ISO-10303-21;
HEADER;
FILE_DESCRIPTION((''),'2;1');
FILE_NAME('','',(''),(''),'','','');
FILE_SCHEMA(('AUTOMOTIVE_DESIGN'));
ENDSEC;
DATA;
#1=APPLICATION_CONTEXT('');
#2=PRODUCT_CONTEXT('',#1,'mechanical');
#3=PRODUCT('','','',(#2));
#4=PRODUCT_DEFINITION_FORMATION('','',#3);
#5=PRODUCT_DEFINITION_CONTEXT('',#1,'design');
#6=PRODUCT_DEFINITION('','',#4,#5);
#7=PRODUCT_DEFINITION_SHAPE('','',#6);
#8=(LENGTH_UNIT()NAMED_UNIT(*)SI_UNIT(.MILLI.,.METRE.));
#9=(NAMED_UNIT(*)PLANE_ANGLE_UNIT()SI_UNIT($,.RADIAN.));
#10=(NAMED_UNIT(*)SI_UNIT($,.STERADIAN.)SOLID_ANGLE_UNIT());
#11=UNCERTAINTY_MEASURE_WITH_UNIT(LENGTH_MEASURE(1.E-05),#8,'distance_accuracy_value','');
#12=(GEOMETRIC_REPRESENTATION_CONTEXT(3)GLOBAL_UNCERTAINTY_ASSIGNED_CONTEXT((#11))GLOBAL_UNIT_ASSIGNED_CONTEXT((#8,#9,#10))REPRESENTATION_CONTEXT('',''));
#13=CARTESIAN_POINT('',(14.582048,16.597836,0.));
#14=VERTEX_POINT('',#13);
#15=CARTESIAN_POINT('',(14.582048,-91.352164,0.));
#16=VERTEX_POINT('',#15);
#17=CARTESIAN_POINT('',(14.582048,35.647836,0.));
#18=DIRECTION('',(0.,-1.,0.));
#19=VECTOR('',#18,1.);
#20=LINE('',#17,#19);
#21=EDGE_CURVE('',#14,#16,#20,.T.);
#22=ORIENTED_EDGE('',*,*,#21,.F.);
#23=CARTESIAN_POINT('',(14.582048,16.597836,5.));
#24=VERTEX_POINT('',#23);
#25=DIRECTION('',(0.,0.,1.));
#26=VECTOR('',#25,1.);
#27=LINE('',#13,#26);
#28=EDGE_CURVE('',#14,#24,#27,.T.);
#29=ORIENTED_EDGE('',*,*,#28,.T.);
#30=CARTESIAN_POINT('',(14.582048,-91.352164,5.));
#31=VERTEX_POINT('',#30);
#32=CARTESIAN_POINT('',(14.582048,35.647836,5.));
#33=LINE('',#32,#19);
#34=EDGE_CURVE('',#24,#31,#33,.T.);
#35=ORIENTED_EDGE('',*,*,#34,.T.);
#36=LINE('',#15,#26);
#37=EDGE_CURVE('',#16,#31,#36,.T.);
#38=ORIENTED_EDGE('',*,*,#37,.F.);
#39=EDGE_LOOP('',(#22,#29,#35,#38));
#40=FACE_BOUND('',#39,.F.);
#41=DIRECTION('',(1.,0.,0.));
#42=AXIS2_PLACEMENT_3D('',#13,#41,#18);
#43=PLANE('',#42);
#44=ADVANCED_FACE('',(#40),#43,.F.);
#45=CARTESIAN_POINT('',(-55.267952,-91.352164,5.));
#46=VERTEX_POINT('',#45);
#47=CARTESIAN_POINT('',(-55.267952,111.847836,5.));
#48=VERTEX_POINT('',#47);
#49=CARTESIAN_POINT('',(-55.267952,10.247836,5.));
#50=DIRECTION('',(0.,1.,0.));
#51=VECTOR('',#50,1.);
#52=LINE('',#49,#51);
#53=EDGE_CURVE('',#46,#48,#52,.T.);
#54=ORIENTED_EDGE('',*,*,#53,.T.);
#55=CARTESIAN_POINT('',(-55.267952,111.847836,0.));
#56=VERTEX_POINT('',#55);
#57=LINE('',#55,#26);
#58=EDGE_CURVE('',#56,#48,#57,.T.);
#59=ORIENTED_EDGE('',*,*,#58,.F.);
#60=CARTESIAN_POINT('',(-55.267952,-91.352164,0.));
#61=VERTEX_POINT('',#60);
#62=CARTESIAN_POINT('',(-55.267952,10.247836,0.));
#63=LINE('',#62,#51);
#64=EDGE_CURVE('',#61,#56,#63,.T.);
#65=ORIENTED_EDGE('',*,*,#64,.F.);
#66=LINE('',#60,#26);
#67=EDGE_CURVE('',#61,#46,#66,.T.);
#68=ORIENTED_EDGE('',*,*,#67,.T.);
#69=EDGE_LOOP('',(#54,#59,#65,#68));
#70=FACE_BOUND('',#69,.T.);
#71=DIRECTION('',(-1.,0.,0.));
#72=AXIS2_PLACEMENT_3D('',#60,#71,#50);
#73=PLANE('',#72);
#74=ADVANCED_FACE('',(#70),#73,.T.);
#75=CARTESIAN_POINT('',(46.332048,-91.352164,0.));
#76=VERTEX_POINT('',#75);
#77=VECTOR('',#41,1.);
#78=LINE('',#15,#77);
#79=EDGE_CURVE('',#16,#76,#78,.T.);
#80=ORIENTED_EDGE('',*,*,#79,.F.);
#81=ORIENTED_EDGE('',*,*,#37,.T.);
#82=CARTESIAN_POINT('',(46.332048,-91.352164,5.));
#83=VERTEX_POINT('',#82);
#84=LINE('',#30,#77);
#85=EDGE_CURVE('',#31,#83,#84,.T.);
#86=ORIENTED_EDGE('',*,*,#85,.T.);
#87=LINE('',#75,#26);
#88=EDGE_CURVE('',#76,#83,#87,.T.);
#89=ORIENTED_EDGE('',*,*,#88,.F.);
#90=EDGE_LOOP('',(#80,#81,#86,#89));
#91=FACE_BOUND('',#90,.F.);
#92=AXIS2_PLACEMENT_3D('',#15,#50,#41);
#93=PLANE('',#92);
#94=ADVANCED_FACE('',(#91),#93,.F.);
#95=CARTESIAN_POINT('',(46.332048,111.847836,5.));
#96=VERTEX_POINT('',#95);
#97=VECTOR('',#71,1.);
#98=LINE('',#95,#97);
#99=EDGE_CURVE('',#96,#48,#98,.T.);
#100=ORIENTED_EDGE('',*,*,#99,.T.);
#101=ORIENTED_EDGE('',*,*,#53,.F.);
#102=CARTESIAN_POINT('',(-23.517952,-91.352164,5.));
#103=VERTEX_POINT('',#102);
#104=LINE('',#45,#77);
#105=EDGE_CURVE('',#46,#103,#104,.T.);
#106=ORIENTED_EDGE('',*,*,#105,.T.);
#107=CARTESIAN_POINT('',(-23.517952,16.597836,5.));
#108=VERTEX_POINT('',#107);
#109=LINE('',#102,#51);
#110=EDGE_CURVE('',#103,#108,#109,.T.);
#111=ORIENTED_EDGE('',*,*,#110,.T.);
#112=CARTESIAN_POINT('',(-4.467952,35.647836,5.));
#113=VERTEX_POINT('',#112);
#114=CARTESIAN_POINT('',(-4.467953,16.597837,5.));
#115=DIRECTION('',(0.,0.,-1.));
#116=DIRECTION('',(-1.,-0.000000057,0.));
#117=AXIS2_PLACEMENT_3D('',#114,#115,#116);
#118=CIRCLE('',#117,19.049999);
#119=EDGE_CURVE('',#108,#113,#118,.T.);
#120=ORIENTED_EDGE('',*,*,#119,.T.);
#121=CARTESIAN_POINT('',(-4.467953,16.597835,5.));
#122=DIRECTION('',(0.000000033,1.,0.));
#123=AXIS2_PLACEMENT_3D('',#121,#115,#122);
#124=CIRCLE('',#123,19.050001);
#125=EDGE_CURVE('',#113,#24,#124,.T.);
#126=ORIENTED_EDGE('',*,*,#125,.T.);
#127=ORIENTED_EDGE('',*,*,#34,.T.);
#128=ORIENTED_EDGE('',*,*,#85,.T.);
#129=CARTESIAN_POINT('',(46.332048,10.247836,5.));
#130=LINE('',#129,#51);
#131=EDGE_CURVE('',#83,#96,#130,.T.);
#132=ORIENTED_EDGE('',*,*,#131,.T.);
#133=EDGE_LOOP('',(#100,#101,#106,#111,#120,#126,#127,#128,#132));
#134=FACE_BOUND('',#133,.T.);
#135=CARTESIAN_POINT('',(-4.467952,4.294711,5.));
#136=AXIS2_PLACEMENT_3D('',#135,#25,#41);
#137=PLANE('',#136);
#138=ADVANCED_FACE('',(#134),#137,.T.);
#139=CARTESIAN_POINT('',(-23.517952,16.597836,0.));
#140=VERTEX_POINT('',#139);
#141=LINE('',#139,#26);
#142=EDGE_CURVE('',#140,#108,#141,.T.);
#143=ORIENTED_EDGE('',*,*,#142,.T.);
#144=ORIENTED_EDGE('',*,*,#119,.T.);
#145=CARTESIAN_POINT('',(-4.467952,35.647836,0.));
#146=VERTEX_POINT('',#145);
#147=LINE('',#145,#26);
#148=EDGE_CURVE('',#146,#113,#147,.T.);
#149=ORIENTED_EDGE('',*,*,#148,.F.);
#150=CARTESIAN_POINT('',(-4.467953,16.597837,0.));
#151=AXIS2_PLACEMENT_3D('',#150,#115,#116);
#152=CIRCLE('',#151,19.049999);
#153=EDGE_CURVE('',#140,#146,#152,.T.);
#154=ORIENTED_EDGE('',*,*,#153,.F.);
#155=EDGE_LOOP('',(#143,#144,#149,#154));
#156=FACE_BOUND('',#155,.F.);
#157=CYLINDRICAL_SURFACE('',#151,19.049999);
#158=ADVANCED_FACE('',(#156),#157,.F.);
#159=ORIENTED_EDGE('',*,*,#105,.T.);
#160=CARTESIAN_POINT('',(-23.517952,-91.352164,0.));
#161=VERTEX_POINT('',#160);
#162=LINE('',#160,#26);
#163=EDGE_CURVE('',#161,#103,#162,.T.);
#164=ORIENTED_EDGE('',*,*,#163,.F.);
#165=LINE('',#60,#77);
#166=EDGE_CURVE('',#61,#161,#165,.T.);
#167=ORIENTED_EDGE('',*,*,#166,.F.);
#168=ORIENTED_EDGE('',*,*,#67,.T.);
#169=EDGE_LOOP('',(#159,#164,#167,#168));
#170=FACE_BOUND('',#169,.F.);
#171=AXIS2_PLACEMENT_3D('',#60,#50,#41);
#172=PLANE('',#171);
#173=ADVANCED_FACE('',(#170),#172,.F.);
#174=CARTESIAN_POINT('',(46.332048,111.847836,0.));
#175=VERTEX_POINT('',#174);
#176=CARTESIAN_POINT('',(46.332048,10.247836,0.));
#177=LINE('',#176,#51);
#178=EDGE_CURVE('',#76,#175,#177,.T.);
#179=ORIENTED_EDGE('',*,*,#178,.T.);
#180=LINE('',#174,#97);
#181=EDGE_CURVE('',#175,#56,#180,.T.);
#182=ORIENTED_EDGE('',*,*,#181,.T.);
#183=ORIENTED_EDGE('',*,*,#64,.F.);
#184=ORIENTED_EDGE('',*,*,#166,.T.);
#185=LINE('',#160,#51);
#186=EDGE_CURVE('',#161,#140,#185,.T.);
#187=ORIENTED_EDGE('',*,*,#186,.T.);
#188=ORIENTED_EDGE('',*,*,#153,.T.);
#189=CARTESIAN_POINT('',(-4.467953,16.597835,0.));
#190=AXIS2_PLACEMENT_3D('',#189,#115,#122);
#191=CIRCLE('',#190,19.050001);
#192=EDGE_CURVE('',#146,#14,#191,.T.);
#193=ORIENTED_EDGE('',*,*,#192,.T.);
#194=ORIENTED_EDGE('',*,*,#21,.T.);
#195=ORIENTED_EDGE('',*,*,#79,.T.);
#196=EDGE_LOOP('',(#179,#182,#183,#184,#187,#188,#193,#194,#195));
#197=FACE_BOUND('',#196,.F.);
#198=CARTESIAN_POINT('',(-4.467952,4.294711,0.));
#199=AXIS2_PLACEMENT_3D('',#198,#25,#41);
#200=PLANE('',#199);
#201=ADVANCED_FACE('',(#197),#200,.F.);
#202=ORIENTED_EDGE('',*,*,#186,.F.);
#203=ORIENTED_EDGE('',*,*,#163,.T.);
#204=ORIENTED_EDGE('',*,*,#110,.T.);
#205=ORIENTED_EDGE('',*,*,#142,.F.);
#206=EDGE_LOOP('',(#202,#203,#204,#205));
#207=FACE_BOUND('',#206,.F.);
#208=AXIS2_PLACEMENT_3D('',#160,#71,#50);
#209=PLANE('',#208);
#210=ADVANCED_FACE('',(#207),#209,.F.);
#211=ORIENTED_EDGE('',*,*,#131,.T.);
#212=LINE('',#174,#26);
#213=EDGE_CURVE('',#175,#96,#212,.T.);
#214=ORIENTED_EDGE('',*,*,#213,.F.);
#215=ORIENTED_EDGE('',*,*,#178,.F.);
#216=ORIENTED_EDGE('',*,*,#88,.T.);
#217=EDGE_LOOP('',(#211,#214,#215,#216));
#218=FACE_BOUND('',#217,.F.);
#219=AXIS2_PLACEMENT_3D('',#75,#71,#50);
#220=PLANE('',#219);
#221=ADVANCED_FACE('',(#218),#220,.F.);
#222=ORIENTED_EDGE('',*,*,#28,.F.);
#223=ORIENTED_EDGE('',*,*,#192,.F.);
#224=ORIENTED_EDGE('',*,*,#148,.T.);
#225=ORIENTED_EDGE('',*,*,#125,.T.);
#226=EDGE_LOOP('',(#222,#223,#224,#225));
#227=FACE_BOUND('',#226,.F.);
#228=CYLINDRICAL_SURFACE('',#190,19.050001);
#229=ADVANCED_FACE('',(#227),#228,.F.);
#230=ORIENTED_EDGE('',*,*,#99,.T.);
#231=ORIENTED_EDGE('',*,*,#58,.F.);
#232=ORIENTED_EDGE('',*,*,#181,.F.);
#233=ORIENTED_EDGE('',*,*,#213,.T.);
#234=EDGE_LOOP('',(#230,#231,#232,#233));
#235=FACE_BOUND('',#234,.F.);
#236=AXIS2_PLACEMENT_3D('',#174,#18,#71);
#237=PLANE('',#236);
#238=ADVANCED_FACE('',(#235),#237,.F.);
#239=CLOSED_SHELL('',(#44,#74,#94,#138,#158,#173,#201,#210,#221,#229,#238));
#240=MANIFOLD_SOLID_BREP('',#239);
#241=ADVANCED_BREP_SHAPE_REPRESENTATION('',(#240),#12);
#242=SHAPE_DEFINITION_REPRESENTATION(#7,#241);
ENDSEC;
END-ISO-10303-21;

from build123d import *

# Parameters (mm, degrees)
F0_W     = 12.7
F0_H     = 203.2
F1_DEPTH = 5


with BuildPart() as f1:
    # F0 (on Top) → F1 (new body)
    with BuildSketch(Plane.XY):
        Polygon((33.632048, 111.847836), (-42.567952, 111.847836), (-42.567952, -91.352164), (-23.517952, -91.352164), (-23.517952, 16.597836), (-23.517952, 35.647836), (-4.467952, 35.647836), (14.582048, 35.647836), (14.582048, 16.597836), (14.582048, -91.352164), (33.632048, -91.352164), align=None)
        with BuildLine():
            ThreePointArc((-4.467952, 35.647836), (9.002432, 30.06822), (14.582048, 16.597836))
            Line((14.582048, 16.597836), (14.582048, 35.647836))
            Line((14.582048, 35.647836), (-4.467952, 35.647836))
        make_face()
        with BuildLine():
            Line((-23.517952, 35.647836), (-23.517952, 16.597836))
            ThreePointArc((-23.517952, 16.597836), (-17.938337, 30.06822), (-4.467952, 35.647836))
            Line((-4.467952, 35.647836), (-23.517952, 35.647836))
        make_face()
        with Locations((-48.917952, 10.247836)):
            Rectangle(F0_W, F0_H)
        with Locations((39.982048, 10.247836)):
            Rectangle(F0_W, F0_H)
    extrude(amount=F1_DEPTH)


solid = f1.part
